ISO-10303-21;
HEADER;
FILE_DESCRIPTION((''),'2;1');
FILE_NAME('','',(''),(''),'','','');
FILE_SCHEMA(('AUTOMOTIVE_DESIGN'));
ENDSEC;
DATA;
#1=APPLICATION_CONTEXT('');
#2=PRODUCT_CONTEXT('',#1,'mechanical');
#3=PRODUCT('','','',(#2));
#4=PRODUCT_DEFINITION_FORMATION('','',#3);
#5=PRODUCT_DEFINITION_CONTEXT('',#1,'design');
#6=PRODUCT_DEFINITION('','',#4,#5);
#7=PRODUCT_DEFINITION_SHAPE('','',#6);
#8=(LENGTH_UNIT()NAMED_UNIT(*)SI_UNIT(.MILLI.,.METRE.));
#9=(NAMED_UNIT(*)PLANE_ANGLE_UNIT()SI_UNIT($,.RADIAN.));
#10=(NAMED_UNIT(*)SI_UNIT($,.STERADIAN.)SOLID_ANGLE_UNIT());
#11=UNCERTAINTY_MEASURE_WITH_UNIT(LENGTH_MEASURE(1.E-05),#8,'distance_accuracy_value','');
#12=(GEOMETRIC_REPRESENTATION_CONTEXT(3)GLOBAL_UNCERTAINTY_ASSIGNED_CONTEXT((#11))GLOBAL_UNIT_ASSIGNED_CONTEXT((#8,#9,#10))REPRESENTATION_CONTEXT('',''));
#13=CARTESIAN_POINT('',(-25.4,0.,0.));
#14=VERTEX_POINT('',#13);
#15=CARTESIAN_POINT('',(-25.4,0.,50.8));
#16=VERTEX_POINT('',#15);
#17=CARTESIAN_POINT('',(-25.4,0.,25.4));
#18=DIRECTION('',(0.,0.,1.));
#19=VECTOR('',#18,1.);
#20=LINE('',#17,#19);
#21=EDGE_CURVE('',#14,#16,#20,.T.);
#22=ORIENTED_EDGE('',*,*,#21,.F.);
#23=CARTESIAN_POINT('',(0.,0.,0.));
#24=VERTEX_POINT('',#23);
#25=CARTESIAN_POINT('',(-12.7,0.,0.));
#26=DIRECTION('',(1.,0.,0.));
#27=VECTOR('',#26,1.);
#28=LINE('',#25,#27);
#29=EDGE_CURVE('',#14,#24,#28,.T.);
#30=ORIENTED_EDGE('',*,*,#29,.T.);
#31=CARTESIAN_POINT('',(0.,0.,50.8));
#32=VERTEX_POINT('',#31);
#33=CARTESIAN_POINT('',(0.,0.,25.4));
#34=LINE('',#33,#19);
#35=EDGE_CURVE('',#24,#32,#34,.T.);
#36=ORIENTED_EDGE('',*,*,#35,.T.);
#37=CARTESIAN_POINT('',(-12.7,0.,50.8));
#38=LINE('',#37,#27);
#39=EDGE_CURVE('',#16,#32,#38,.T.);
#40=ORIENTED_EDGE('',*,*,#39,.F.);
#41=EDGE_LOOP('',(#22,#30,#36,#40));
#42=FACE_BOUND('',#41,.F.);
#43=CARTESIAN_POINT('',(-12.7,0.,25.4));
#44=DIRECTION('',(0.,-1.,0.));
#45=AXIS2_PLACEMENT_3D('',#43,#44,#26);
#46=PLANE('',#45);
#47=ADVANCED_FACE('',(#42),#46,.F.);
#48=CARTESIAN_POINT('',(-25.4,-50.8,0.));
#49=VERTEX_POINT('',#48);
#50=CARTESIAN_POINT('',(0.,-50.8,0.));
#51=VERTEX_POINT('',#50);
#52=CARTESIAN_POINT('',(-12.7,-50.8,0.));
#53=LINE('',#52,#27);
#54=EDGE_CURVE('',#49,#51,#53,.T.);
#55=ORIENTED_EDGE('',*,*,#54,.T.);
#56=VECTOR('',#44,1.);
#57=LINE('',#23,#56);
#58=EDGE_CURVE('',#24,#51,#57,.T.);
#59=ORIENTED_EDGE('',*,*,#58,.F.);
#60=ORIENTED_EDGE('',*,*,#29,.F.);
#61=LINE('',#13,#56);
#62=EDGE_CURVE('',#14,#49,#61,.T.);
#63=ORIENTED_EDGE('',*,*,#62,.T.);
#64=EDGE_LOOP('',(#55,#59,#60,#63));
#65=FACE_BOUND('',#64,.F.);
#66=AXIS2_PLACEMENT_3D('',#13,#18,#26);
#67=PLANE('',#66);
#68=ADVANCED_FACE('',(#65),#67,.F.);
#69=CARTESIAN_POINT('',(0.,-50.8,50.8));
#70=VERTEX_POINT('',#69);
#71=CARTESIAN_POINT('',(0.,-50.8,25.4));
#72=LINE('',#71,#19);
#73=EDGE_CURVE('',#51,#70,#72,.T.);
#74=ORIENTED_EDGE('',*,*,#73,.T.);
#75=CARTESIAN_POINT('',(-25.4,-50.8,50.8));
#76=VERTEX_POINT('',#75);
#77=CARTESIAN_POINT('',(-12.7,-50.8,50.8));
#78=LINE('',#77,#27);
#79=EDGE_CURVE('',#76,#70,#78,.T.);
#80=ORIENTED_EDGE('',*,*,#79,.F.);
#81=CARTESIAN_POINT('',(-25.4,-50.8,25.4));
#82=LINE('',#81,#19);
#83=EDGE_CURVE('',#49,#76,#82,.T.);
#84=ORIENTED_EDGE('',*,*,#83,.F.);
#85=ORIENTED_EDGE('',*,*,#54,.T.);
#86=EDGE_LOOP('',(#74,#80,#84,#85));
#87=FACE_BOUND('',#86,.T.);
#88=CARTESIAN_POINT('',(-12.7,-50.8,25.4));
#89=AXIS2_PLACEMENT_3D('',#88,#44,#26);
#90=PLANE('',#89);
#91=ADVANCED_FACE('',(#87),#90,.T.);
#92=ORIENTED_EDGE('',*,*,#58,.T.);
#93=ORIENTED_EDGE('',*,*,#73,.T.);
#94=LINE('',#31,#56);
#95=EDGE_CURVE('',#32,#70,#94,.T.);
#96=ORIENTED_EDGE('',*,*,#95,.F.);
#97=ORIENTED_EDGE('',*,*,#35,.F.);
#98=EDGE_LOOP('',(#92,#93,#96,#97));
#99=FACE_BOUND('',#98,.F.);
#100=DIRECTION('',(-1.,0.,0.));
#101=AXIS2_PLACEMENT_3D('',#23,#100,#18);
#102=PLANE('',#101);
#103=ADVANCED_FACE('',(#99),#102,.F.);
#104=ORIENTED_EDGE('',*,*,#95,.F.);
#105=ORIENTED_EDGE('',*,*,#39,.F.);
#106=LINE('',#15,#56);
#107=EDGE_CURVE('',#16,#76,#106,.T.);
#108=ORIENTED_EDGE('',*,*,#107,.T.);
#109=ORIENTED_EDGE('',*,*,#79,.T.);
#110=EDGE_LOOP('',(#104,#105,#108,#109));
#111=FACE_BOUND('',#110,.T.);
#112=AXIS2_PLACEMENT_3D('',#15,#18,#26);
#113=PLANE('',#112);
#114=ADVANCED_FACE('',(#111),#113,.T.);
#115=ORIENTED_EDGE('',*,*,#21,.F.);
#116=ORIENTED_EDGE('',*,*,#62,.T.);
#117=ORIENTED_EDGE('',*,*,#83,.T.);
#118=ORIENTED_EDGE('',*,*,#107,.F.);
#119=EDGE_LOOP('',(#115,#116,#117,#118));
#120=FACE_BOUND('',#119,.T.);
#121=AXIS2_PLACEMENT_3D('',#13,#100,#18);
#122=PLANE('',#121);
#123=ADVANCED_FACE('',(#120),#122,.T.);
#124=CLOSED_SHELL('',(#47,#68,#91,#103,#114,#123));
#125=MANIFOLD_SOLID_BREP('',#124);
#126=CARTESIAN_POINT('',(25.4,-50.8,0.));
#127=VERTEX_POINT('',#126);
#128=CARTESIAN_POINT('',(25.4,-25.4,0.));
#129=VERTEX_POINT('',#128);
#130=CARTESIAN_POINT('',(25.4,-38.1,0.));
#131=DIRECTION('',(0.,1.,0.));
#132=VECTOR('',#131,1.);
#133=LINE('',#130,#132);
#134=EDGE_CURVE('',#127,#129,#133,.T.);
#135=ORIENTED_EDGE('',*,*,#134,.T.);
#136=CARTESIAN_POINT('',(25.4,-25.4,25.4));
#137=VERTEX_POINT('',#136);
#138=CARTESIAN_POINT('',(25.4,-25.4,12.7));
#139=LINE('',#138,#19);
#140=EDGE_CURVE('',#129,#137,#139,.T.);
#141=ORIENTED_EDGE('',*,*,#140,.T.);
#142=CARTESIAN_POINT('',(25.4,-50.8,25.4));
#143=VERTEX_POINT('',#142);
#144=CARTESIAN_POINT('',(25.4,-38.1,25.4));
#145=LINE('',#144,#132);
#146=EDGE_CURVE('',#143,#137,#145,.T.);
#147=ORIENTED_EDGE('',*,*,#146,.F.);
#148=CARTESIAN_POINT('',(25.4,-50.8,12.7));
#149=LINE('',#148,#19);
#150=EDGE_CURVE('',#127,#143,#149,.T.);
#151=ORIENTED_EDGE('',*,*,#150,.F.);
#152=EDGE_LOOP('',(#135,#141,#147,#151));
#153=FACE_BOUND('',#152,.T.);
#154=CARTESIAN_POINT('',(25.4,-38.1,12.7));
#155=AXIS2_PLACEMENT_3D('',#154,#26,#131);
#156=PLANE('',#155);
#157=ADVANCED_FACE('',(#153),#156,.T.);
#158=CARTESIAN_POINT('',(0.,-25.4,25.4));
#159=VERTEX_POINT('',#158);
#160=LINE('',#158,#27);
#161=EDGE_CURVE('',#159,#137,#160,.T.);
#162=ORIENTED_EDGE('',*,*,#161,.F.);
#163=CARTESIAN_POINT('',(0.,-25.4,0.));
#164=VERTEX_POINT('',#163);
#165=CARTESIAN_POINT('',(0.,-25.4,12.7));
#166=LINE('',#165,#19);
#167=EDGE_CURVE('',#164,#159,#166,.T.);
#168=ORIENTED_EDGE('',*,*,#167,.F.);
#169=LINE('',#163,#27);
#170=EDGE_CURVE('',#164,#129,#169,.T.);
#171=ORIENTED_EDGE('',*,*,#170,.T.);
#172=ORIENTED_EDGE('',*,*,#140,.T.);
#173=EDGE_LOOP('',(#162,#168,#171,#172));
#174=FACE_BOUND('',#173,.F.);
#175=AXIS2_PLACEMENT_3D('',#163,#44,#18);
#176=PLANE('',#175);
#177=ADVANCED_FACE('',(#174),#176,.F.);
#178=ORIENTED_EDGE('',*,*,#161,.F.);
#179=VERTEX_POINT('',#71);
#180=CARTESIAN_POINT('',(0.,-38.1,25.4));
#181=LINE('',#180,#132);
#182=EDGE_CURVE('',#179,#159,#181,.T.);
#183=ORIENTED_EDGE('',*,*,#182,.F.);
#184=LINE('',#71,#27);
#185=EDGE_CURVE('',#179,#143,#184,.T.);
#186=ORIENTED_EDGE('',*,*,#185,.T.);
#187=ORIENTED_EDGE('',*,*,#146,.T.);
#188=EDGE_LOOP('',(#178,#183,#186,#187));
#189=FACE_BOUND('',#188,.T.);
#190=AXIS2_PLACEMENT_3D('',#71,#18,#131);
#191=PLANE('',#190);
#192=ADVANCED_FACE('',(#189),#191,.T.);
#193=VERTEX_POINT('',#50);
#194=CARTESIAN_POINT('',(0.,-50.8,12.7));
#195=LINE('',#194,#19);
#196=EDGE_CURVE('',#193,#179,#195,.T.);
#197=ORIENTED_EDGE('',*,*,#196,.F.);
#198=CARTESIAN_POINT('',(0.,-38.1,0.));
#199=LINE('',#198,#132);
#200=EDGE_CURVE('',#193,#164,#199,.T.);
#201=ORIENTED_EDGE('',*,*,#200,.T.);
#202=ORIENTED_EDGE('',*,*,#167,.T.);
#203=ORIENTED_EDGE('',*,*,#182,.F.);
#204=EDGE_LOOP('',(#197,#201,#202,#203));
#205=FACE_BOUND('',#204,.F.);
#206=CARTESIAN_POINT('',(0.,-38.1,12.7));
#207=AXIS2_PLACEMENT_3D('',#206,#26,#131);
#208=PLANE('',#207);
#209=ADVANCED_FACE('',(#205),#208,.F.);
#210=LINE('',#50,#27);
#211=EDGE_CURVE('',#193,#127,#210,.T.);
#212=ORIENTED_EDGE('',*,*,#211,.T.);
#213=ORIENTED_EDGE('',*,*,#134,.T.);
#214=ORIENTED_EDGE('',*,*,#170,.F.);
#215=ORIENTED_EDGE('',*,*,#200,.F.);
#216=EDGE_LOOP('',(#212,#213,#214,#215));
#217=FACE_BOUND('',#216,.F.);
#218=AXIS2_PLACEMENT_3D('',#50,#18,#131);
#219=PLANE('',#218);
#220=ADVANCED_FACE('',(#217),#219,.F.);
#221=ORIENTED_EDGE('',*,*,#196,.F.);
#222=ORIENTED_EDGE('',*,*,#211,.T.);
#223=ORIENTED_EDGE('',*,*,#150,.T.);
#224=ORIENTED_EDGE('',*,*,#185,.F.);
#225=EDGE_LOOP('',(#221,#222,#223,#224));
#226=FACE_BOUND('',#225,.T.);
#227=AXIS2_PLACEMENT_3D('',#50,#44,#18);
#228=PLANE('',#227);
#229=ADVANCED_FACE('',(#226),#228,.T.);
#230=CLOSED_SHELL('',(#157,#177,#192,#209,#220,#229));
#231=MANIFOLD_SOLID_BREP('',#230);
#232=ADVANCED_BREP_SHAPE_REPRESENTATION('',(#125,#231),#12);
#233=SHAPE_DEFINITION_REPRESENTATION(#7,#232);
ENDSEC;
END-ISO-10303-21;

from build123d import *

# Parameters (mm, degrees)
F0_W     = 25.4
F0_H     = 50.8
F1_DEPTH = 50.8
F2_W     = 25.4
F2_H     = 25.4
F3_DEPTH = 25.4


with BuildPart() as f1:
    # F0 (on Front) → F1 (new body)
    with BuildSketch(Plane.XZ):
        with Locations((-12.7, 25.4)):
            Rectangle(F0_W, F0_H)
    extrude(amount=F1_DEPTH)


with BuildPart() as f3:
    # F2 (on face) → F3 (new body)
    with BuildSketch(Plane.YZ):
        with Locations((-38.1, 12.7)):
            Rectangle(F2_W, F2_H)
    extrude(amount=F3_DEPTH)


solid = Compound([f1.part, f3.part])
